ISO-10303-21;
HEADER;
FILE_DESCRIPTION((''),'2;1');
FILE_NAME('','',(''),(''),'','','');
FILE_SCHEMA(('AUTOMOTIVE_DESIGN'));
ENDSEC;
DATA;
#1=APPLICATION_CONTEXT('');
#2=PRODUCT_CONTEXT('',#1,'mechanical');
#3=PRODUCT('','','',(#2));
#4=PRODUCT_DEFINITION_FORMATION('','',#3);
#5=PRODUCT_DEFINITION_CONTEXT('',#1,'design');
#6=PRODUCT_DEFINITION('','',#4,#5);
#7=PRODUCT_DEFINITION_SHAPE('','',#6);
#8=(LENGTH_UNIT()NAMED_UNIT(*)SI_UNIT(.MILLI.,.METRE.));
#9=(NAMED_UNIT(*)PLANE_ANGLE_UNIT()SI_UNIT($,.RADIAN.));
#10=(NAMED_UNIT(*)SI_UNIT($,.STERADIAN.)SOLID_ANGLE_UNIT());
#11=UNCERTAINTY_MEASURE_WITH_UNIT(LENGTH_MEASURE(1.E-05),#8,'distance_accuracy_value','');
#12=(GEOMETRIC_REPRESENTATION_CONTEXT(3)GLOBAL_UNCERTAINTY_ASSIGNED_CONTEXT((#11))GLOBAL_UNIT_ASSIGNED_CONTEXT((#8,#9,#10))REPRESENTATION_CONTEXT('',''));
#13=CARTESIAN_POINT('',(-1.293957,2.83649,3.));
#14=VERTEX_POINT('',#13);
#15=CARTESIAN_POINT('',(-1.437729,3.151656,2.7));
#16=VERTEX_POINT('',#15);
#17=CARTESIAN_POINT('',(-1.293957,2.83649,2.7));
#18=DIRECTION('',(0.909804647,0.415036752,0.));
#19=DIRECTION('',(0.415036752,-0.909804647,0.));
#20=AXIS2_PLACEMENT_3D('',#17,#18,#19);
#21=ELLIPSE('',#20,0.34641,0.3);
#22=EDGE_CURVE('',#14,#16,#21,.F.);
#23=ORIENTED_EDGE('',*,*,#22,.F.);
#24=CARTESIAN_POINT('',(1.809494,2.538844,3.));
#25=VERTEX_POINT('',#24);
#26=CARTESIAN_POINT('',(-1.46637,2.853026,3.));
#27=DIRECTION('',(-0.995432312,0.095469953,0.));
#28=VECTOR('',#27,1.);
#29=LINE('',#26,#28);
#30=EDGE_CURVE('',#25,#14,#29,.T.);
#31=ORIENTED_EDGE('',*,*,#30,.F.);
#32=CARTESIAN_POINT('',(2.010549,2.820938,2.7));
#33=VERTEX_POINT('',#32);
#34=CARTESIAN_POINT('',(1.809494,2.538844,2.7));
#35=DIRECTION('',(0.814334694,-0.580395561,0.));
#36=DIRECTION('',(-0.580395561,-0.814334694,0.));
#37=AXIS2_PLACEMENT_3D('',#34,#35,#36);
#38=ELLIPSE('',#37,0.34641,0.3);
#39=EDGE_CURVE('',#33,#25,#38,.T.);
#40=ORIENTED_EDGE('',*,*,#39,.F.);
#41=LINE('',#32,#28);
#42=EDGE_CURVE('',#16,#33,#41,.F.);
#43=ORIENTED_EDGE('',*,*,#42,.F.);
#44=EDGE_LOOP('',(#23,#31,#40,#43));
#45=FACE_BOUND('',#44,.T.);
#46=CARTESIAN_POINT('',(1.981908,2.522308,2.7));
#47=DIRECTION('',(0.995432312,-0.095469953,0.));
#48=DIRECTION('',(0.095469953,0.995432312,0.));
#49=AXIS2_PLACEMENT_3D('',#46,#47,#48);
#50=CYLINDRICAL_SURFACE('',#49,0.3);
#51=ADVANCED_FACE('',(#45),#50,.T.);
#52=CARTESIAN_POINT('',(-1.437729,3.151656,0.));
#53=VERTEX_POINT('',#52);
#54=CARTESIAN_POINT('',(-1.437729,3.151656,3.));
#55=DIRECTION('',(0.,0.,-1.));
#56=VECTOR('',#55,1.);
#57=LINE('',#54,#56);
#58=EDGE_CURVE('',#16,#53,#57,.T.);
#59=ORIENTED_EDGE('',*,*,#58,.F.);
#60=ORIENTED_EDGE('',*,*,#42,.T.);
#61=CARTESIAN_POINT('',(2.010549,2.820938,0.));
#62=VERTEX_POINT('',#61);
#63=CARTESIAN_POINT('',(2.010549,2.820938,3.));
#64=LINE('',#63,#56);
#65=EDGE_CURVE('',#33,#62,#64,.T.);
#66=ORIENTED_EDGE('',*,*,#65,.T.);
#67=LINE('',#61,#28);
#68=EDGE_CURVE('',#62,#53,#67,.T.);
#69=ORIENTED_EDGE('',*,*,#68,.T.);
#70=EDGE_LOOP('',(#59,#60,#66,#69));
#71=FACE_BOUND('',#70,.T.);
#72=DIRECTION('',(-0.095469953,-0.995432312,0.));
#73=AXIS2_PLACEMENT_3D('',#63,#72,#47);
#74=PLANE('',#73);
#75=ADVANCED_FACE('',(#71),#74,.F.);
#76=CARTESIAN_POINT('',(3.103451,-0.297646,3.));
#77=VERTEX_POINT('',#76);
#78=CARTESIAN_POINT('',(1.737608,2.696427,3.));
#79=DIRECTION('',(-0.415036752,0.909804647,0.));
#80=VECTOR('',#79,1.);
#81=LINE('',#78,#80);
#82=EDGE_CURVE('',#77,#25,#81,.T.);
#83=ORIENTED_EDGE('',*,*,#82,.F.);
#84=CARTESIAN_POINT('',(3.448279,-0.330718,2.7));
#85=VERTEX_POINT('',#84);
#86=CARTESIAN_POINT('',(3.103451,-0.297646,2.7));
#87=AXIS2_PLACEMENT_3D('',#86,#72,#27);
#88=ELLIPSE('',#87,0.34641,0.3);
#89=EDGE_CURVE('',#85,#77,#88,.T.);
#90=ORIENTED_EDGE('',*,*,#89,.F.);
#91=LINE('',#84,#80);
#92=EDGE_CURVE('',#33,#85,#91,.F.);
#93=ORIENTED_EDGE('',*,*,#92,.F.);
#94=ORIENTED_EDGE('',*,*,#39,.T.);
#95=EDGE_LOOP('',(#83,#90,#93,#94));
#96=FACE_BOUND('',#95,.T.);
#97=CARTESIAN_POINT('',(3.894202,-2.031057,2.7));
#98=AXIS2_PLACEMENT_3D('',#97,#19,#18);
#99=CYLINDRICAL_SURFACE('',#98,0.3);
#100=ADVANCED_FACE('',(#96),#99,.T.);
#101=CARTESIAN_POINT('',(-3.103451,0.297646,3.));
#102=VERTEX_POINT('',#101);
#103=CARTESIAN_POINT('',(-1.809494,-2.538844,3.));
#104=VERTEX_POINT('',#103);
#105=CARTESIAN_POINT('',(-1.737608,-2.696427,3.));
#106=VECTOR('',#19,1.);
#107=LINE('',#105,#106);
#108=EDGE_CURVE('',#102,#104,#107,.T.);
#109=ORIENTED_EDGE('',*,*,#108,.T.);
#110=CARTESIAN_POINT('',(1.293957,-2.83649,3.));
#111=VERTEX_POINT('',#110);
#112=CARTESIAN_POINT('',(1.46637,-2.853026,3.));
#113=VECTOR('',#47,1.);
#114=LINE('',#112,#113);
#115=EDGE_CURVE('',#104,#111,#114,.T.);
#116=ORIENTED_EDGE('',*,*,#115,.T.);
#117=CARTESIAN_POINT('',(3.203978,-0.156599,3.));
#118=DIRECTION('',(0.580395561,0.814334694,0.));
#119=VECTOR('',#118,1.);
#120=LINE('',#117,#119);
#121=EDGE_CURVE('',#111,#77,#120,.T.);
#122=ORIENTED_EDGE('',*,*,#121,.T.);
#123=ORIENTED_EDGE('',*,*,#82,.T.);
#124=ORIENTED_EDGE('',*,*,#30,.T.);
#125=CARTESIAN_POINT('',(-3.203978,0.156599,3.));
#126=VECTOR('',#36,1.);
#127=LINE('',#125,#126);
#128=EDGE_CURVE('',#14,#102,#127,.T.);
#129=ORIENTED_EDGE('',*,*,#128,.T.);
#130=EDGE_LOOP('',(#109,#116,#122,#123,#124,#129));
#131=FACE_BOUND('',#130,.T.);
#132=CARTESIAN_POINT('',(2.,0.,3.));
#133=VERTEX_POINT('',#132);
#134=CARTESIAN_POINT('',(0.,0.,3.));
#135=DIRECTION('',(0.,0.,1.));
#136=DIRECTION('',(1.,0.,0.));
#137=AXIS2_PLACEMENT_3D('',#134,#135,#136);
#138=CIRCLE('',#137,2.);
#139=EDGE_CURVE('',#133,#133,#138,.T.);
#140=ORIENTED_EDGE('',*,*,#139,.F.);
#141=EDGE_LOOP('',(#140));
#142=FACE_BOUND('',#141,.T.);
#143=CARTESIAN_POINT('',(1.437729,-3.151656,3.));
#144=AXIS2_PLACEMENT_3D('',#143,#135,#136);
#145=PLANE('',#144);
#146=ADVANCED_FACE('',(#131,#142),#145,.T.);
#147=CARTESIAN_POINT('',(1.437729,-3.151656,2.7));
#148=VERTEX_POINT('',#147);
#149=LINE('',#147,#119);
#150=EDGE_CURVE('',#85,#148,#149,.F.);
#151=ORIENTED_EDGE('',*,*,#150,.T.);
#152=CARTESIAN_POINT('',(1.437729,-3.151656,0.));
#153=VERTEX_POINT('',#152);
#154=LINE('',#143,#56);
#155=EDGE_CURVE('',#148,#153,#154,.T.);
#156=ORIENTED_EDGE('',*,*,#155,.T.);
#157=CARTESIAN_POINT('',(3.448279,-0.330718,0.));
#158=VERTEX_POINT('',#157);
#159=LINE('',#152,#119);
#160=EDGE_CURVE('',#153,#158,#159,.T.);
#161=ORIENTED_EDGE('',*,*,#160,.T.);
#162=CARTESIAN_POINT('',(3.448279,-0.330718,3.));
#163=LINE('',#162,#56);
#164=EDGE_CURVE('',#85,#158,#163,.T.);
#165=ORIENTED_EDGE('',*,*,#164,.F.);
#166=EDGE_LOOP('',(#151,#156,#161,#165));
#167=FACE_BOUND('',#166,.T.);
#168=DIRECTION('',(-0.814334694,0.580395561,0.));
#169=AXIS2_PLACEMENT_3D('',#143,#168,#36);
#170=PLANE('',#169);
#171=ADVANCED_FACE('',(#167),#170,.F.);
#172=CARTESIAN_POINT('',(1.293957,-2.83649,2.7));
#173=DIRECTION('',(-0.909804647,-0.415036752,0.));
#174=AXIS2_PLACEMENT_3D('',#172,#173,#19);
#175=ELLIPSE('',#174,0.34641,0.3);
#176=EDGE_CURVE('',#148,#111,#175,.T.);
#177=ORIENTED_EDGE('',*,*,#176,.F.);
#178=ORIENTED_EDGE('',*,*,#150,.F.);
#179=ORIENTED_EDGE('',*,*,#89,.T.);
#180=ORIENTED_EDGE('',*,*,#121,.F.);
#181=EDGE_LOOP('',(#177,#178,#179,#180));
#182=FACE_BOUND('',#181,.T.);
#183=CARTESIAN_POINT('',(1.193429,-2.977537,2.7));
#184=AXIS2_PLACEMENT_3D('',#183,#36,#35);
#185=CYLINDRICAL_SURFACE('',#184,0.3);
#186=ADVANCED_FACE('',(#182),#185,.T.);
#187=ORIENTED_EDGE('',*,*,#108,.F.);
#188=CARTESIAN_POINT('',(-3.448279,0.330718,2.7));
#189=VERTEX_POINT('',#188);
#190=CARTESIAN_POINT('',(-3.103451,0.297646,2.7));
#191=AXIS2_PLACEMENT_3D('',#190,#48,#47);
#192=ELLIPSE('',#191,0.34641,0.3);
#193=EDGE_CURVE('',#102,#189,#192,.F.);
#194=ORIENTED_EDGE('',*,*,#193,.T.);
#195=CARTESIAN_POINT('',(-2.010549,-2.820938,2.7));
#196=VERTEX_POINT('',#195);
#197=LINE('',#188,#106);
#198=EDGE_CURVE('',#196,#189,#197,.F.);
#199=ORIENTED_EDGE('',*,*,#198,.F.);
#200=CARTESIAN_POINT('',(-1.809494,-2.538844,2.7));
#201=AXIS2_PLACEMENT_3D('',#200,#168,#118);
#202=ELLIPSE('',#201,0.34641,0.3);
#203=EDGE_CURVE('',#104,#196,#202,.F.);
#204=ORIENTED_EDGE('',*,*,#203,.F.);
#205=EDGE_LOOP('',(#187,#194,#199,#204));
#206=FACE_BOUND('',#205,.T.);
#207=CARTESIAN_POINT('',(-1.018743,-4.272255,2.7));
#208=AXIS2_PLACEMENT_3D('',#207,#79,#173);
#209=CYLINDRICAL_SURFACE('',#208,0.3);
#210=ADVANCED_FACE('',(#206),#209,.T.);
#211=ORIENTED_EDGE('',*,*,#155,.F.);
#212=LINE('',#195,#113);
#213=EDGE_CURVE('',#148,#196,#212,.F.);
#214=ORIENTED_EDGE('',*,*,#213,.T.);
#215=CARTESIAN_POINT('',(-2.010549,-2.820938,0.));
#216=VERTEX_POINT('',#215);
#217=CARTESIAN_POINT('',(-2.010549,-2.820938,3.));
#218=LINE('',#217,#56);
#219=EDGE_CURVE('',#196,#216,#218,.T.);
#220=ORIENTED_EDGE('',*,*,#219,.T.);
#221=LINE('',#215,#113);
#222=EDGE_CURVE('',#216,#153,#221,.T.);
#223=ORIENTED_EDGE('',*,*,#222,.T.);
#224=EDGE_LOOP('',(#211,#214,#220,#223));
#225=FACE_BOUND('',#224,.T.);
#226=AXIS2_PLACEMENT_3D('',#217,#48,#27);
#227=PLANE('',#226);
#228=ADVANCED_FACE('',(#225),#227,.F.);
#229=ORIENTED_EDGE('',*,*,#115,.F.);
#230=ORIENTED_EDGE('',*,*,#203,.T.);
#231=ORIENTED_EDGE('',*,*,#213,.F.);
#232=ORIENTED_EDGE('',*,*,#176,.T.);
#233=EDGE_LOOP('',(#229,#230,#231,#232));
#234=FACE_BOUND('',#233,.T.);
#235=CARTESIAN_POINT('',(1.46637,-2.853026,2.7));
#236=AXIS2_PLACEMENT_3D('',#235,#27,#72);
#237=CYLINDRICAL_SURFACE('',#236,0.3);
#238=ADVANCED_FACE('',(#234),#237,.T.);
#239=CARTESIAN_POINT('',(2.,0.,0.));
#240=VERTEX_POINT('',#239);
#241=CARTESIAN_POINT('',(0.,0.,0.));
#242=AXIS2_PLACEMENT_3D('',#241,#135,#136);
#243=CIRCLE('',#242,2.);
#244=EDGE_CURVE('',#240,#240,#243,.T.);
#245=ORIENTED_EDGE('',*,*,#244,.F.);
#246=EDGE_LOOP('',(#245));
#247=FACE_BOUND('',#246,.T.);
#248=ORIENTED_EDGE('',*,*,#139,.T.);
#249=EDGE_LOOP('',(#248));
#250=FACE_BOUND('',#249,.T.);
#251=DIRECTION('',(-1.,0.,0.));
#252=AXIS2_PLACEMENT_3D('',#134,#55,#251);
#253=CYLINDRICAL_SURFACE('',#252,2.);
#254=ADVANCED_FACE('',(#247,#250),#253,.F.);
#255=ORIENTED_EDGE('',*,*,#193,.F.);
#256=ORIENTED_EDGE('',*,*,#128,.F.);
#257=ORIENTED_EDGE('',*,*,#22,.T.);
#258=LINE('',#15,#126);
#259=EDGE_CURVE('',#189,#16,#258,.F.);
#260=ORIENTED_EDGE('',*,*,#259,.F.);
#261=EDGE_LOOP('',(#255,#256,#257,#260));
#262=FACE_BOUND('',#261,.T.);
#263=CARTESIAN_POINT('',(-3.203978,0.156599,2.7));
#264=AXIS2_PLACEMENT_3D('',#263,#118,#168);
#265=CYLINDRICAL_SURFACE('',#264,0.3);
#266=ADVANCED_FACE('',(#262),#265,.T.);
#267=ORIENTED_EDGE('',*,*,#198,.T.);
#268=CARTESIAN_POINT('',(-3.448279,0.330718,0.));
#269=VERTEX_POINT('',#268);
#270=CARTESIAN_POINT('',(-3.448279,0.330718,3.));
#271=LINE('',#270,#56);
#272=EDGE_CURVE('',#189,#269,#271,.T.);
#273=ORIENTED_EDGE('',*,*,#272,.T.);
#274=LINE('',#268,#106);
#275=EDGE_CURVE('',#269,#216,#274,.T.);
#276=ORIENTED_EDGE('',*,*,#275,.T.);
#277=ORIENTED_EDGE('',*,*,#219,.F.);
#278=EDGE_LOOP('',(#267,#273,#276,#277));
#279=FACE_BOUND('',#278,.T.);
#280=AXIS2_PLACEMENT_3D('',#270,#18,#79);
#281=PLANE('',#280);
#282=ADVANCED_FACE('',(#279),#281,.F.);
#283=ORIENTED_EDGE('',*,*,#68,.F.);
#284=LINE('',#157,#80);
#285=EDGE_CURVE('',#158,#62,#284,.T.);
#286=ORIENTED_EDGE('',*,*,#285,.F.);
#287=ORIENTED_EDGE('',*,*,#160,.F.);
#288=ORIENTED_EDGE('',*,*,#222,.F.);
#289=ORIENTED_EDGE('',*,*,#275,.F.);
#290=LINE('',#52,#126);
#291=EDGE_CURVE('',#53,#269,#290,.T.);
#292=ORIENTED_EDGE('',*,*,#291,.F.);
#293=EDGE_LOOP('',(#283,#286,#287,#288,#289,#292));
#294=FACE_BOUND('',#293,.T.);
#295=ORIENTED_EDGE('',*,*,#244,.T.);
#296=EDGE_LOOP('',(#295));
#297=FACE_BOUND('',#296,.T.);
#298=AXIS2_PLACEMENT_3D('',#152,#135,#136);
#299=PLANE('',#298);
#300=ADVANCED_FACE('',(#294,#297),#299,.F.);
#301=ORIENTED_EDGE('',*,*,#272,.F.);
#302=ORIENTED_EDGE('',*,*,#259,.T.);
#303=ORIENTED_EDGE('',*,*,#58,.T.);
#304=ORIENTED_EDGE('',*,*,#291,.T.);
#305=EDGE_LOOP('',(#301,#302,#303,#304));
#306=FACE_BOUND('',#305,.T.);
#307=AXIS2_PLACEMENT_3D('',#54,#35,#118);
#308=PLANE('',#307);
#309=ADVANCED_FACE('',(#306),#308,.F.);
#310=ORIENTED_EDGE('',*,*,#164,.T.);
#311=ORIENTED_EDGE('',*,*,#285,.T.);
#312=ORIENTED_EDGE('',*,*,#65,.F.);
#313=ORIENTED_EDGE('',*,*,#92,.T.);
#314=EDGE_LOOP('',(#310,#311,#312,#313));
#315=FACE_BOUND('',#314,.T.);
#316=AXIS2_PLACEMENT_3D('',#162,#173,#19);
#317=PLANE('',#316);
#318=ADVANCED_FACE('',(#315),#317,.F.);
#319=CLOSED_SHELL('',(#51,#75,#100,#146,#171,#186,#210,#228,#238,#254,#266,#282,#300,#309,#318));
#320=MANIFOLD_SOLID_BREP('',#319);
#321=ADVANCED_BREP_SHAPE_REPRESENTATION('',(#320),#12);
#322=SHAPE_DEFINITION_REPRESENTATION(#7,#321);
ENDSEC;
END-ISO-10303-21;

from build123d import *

# Parameters (mm, degrees)
SKETCH_1_R      = 2
EXTRUDE_1_DEPTH = 3
FILLET_1_R      = 0.3


with BuildPart() as part:
    # 草图1 → 凸台-拉伸1 (new body)
    with BuildSketch(Plane.XY):
        Polygon((1.437729481, -3.151655746), (3.44827868, -0.330717618), (2.010549199, 2.820938127), (-1.437729481, 3.151655746), (-3.44827868, 0.330717618), (-2.010549199, -2.820938127), align=None)
        Circle(SKETCH_1_R, mode=Mode.SUBTRACT)
    extrude(amount=EXTRUDE_1_DEPTH)

    # 圆角1
    fillet_1_edges = [part.edges().sort_by_distance(p)[0] for p in [
        (2.72941394, 1.245110255, 3),
        (0.286409859, 2.986296936, 3),
        (-2.443004081, 1.741186682, 3),
        (-2.72941394, -1.245110255, 3),
        (-0.286409859, -2.986296936, 3),
        (2.443004081, -1.741186682, 3),
    ]]
    fillet(fillet_1_edges, radius=FILLET_1_R)


solid = part.part
